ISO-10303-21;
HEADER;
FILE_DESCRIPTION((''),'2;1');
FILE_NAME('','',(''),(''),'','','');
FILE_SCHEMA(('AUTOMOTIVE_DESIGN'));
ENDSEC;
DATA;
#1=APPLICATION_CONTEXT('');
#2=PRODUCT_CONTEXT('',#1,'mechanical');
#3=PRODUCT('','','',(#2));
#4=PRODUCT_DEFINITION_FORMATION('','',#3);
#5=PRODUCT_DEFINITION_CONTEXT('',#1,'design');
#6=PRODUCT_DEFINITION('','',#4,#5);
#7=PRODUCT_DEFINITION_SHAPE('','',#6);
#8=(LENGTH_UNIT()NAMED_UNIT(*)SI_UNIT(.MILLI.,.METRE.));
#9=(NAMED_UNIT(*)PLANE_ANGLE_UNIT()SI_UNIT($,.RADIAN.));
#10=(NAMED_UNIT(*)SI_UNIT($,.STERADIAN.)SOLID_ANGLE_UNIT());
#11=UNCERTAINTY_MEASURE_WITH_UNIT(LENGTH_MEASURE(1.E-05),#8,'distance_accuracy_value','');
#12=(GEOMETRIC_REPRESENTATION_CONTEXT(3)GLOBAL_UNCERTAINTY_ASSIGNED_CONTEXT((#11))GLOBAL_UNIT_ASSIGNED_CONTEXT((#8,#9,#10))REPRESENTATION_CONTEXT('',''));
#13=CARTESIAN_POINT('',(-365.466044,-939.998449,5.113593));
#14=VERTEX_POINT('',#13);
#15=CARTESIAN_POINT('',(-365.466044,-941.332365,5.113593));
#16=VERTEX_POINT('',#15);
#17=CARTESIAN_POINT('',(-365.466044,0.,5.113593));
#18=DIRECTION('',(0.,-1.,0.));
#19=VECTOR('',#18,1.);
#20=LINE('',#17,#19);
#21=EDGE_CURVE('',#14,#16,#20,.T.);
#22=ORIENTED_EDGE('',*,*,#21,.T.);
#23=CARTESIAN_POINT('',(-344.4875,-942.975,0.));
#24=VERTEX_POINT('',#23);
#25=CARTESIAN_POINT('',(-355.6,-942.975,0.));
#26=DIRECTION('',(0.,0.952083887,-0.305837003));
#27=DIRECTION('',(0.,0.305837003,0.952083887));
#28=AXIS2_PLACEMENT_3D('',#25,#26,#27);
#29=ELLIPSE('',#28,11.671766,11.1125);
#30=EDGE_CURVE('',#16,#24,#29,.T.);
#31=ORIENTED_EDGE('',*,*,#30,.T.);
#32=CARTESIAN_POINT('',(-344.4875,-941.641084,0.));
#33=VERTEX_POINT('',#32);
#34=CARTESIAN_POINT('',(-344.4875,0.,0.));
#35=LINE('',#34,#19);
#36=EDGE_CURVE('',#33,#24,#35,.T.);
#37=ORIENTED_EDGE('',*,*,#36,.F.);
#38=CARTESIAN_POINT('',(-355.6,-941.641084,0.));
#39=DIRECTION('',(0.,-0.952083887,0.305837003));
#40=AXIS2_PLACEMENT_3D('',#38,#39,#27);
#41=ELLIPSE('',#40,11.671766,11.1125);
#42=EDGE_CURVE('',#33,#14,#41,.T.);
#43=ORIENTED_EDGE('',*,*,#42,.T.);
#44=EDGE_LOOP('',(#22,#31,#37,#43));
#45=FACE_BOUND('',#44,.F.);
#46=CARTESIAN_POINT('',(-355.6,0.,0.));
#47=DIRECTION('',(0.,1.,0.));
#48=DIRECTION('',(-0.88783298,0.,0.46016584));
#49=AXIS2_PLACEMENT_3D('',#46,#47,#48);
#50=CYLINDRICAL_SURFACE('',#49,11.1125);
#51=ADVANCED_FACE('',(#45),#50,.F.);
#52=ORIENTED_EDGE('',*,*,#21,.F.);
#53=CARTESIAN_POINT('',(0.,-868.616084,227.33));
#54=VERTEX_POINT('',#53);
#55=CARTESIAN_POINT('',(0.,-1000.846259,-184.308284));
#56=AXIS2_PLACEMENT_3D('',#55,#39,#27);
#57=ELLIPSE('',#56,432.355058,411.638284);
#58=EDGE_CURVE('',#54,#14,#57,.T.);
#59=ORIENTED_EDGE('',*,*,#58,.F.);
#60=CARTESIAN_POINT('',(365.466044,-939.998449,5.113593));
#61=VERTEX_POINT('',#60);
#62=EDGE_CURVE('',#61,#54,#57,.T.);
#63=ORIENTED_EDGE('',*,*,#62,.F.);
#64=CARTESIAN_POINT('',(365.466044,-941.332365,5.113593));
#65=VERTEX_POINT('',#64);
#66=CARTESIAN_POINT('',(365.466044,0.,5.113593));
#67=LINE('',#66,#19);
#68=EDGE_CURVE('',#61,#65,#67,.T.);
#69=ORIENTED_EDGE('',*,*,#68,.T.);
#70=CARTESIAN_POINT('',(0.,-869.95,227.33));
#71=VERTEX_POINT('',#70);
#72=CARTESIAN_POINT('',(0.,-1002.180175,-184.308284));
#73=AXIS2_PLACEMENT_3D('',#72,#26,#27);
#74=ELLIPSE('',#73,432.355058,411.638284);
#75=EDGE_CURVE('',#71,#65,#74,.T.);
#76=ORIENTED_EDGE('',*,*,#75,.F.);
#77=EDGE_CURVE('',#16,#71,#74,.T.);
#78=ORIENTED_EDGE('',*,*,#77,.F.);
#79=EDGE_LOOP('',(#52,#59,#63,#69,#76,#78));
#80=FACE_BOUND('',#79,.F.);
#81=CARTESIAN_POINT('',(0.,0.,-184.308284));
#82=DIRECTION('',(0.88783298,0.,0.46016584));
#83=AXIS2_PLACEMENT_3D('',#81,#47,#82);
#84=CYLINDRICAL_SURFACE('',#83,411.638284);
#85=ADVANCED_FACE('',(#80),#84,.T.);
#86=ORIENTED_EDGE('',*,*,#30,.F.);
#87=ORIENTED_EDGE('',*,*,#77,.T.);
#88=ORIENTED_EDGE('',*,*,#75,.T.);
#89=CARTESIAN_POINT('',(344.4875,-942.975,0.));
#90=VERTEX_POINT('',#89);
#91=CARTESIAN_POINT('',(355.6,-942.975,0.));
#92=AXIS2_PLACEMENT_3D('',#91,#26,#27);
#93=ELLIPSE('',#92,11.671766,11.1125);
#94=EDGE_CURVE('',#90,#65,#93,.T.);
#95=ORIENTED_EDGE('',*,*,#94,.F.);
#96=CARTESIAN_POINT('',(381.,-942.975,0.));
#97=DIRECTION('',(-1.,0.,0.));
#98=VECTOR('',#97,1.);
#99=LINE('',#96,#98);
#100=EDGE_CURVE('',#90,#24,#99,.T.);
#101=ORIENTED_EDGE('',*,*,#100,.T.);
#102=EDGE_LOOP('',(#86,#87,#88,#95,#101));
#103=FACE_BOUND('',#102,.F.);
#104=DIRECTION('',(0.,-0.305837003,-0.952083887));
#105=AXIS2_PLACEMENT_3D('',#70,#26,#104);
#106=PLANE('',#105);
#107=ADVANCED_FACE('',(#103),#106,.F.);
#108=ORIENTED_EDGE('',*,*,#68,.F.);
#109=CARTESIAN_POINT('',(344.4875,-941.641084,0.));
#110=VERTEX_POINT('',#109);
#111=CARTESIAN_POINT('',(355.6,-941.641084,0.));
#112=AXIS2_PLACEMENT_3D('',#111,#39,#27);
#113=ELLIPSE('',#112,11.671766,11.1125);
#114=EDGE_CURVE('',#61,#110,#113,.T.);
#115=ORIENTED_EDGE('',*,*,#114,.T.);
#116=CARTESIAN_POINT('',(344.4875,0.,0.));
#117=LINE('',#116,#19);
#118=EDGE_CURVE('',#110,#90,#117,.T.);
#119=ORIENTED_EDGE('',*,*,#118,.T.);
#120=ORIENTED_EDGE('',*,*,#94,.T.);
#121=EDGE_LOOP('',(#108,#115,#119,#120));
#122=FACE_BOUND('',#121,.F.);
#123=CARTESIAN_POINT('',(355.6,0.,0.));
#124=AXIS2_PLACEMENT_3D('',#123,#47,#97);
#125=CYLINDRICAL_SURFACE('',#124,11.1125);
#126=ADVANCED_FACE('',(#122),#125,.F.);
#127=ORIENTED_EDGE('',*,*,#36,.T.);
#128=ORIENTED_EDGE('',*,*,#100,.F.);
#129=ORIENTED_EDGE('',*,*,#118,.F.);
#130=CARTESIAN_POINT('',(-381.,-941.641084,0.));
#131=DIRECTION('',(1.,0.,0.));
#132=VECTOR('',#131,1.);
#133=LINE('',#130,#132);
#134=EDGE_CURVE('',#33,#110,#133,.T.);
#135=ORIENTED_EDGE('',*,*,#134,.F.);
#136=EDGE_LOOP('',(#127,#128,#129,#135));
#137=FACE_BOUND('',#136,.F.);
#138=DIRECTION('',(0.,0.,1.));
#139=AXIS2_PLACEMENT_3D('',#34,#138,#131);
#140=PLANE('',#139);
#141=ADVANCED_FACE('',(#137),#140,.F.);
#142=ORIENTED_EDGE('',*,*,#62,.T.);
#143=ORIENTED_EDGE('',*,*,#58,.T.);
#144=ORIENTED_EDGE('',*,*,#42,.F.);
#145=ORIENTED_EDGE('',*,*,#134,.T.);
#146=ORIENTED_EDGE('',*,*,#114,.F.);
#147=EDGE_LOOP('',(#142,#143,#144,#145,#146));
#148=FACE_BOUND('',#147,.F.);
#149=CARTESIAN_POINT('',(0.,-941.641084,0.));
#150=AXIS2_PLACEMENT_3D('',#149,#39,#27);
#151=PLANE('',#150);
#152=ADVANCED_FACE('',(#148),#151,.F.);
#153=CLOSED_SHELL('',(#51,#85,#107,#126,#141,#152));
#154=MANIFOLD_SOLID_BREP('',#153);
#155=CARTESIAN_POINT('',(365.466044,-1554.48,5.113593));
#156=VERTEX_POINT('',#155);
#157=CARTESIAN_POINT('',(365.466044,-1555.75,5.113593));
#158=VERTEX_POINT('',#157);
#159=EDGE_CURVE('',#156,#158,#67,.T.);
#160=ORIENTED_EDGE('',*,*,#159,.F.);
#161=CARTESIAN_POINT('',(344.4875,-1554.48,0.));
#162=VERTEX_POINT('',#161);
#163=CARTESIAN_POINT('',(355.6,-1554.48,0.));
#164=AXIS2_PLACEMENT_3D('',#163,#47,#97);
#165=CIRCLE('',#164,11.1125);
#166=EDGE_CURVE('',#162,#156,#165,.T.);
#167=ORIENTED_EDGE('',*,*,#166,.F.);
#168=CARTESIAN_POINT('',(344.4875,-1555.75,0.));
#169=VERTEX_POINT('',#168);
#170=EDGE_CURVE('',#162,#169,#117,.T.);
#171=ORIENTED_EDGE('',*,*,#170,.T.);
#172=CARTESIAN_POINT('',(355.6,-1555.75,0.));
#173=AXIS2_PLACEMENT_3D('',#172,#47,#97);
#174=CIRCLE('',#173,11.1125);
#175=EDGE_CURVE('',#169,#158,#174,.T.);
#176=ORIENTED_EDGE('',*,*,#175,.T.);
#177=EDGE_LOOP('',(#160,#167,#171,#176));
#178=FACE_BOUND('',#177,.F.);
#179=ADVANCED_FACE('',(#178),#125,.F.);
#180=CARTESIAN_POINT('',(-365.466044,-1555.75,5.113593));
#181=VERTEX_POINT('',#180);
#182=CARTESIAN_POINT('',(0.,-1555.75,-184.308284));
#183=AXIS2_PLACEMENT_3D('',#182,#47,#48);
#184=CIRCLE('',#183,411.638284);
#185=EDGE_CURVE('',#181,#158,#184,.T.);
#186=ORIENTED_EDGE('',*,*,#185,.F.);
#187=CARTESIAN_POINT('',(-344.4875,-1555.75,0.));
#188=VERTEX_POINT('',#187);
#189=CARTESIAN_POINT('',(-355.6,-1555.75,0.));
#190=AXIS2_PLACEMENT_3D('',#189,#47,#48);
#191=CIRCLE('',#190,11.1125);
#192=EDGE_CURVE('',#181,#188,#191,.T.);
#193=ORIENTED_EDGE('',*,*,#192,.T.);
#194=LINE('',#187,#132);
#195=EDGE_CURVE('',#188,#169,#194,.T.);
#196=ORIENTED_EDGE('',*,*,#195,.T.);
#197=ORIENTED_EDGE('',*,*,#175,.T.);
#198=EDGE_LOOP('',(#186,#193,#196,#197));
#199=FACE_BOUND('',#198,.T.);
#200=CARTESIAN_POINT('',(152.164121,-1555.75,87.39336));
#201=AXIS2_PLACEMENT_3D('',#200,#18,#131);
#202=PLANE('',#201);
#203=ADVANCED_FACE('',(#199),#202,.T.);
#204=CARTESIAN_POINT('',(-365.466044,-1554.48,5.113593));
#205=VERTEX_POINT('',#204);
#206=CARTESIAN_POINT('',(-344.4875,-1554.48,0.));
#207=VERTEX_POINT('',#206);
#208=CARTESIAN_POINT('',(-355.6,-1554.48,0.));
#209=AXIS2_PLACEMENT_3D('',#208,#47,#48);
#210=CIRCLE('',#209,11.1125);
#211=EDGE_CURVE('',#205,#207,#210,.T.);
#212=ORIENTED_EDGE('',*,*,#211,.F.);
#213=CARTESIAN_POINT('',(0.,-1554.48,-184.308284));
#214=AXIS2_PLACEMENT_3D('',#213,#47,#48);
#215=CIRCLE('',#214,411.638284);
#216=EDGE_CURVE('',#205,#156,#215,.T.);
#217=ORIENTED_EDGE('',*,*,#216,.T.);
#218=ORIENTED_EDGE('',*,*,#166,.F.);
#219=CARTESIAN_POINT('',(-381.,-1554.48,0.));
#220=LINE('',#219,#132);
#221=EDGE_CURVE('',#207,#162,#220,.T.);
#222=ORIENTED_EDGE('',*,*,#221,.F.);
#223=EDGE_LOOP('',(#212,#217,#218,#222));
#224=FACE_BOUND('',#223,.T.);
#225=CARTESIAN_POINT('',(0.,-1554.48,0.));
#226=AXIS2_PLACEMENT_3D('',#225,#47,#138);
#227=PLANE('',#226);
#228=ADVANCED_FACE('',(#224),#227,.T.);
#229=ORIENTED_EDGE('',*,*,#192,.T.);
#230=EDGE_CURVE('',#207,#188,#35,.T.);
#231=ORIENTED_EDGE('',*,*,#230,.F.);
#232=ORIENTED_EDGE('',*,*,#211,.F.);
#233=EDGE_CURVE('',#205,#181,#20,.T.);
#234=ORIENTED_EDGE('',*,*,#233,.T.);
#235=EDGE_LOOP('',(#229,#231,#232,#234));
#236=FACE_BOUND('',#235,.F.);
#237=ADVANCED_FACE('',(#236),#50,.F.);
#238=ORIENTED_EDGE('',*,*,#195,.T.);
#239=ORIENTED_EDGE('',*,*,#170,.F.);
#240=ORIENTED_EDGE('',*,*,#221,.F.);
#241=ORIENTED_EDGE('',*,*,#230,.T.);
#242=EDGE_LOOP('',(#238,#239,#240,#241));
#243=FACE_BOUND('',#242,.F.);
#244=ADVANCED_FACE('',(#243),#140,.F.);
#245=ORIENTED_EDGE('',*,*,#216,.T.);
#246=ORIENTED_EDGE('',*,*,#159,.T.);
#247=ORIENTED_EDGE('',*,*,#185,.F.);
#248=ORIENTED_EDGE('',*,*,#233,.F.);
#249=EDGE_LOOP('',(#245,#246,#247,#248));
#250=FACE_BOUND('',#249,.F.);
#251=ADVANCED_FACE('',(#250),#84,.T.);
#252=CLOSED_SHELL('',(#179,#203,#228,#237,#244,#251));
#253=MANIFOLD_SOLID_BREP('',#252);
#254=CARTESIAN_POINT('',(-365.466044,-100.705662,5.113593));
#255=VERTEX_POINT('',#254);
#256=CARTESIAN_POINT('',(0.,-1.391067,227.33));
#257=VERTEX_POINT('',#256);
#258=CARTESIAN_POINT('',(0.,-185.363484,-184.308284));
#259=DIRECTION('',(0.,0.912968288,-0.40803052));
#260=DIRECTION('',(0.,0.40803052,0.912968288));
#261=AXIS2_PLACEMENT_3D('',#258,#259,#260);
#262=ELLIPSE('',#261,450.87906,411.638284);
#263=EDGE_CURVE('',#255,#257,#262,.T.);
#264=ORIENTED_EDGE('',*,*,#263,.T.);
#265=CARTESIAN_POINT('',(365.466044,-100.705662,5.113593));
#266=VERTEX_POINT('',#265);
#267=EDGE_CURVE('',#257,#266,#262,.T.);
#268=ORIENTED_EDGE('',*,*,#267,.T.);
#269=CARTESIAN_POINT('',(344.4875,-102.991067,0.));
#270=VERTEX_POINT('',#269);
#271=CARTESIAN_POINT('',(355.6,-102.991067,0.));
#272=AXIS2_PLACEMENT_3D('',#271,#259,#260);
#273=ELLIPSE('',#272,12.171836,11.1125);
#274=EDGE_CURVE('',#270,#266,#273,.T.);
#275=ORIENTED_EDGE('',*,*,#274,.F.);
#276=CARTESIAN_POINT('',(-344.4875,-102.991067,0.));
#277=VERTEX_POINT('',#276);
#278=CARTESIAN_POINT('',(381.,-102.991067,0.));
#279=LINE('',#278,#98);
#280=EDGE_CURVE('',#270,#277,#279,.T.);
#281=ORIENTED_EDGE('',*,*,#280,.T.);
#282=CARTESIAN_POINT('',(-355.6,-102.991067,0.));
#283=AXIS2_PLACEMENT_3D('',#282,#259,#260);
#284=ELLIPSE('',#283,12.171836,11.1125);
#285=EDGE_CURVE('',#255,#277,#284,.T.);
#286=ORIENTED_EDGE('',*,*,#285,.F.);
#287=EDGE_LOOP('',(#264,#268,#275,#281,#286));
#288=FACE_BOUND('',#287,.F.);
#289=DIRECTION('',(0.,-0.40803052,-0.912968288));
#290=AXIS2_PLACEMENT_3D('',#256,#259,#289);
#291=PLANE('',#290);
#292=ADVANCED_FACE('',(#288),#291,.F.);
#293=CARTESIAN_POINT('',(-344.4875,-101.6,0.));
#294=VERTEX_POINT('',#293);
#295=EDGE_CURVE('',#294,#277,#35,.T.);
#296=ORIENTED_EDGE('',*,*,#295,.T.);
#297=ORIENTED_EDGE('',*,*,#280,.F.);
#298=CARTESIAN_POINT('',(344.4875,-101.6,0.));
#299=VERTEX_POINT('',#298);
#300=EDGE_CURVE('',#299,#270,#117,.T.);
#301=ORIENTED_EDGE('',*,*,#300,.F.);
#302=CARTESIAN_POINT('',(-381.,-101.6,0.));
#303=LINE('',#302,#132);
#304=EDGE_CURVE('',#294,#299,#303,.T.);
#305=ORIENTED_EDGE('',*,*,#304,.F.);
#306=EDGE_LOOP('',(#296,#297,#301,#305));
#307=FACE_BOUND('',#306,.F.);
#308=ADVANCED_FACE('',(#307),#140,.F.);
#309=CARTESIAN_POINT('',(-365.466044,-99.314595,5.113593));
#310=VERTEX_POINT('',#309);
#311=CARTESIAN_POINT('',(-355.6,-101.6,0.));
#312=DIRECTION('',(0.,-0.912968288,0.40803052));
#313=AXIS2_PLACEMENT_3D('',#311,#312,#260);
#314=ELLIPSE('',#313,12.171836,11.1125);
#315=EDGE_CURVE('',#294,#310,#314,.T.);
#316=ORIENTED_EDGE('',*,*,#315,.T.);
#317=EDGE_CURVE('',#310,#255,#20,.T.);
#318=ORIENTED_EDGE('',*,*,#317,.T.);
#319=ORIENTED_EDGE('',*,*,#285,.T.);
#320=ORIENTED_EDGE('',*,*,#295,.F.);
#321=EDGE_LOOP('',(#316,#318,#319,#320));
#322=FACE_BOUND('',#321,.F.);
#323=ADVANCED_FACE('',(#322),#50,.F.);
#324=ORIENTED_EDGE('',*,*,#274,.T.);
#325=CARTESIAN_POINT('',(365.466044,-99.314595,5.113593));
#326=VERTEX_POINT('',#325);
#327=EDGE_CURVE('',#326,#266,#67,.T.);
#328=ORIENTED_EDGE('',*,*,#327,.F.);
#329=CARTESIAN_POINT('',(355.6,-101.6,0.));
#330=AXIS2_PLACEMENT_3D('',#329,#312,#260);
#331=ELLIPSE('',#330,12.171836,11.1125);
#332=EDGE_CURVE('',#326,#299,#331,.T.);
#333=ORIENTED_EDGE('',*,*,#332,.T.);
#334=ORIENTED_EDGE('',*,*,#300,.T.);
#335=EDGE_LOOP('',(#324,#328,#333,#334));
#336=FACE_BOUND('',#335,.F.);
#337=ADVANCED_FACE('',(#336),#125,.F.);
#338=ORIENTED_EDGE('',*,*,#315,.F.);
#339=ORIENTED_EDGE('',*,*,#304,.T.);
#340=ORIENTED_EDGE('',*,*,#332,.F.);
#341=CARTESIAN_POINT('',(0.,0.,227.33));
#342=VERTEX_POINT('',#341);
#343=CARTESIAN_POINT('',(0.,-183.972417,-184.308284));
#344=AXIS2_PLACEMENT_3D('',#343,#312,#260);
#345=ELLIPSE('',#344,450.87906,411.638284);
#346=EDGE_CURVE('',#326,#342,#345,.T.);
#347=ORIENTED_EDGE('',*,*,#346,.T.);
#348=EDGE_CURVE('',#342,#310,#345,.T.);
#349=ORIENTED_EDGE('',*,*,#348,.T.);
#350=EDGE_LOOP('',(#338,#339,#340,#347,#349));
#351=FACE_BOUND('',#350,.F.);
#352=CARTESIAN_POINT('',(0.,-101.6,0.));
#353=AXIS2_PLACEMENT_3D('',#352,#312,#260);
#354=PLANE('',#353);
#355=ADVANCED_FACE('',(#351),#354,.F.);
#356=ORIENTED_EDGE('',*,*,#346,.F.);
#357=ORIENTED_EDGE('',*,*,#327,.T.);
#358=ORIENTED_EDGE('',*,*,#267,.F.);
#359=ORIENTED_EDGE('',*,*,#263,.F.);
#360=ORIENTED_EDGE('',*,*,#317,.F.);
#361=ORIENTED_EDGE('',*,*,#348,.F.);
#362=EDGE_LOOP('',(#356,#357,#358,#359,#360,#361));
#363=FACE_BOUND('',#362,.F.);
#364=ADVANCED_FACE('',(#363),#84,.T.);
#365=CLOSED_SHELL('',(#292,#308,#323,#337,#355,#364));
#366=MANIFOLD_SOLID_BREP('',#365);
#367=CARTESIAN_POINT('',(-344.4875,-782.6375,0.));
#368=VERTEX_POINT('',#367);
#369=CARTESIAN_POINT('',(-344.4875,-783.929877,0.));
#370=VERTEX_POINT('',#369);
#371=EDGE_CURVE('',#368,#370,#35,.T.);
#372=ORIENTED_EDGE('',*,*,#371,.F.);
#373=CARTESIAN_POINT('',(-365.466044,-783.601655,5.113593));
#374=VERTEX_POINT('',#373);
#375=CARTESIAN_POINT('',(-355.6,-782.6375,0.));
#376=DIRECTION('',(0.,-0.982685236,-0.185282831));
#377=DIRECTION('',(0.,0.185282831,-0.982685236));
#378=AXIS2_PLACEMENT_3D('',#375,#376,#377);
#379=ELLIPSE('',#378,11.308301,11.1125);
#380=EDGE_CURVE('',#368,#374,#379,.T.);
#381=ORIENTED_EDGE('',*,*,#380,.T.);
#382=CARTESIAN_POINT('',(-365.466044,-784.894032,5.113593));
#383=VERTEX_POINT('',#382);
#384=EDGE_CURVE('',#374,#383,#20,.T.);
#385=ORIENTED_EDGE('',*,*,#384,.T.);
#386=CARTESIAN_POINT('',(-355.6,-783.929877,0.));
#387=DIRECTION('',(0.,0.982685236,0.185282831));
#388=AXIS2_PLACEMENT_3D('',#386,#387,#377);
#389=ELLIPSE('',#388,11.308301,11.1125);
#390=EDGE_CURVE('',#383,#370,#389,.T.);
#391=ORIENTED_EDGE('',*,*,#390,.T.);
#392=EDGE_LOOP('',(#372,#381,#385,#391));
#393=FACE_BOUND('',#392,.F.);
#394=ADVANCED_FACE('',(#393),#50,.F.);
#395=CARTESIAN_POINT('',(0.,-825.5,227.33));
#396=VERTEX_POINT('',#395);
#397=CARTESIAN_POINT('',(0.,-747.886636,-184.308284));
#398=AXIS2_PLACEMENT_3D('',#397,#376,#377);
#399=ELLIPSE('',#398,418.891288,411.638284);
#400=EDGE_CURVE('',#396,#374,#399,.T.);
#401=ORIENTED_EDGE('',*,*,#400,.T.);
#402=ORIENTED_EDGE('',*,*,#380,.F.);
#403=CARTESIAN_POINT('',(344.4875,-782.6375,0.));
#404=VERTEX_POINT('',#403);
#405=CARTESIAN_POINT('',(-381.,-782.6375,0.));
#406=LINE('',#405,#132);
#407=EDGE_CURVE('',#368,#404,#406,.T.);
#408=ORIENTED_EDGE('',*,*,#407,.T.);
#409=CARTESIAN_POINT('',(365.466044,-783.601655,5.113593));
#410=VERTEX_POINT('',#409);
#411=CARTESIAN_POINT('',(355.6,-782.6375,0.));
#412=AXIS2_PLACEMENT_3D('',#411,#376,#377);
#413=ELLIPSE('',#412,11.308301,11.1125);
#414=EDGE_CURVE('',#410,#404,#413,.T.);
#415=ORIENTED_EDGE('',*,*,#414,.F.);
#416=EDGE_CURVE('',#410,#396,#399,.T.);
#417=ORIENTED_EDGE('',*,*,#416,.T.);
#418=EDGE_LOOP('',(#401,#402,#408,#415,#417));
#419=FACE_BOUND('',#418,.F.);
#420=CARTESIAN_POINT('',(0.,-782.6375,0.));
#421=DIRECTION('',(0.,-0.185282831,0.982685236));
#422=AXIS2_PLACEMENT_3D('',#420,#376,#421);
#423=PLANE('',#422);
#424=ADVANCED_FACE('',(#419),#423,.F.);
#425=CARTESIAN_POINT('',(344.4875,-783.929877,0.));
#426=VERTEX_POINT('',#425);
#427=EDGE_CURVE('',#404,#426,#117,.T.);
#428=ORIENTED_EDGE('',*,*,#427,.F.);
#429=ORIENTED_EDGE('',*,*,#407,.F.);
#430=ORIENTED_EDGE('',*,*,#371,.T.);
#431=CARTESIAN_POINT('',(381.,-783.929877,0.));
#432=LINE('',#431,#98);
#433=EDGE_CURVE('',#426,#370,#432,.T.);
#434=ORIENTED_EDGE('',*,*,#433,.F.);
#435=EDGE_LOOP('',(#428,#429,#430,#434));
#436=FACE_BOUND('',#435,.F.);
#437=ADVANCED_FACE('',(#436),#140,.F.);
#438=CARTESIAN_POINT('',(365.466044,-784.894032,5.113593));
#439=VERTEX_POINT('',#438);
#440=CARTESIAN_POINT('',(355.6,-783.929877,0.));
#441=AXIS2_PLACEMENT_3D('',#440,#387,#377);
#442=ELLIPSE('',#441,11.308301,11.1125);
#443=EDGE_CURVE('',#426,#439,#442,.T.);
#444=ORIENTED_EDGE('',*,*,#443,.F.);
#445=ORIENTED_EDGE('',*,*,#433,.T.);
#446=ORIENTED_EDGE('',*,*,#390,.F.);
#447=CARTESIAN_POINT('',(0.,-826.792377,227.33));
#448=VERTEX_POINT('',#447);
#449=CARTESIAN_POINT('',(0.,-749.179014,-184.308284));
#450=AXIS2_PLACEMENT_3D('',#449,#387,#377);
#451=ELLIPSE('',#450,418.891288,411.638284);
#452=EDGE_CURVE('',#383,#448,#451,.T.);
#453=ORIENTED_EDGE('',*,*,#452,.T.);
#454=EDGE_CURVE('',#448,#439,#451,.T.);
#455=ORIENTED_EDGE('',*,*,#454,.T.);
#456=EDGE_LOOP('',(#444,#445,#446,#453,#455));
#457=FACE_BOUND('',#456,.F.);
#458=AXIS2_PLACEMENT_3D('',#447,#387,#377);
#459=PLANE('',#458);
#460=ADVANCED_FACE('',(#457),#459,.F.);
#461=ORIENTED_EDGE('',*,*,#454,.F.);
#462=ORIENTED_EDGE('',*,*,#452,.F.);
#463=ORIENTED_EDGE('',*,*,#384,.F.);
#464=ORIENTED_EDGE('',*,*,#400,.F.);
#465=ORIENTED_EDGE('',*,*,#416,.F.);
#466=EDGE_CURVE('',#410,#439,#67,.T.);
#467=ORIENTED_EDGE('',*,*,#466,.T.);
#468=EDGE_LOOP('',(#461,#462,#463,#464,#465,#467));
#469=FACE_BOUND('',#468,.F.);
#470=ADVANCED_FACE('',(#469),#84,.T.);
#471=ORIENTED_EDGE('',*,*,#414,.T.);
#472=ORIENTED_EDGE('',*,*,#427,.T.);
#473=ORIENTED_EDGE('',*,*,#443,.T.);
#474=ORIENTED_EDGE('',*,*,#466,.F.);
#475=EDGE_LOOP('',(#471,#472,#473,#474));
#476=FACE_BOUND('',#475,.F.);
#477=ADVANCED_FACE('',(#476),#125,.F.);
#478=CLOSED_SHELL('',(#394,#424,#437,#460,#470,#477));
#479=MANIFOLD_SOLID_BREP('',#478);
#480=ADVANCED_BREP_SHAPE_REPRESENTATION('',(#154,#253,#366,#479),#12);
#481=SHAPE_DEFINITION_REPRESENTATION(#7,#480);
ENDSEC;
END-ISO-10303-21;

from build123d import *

# Parameters (mm, degrees)
F1_DEPTH = 1555.75
F2_W     = 1.27
F2_H     = 227.33
F3_DEPTH = 381


with BuildPart() as f1:
    # F0 (on Front) → F1 (new body)
    with BuildSketch(Plane.XZ):
        with BuildLine():
            Line((0, 227.33), (0, 0))
            Line((0, 0), (344.4875, 0))
            ThreePointArc((344.4875, 0), (352.9683424936, 10.7963899068), (365.4660439854, 5.1135928982))
            ThreePointArc((365.4660439854, 5.1135928982), (213.8606794689, 167.4155943541), (0, 227.33))
        make_face()
        with BuildLine():
            ThreePointArc((-365.4660439854, 5.1135928982), (-352.9683424936, 10.7963899068), (-344.4875, 0))
            Line((-344.4875, 0), (0, 0))
            Line((0, 0), (0, 227.33))
            ThreePointArc((0, 227.33), (-213.8606794689, 167.4155943541), (-365.4660439854, 5.1135928982))
        make_face()
    extrude(amount=F1_DEPTH)

    # F2 (on Right) → F3 (intersect, symmetric)
    with BuildSketch(Plane.YZ):
        Polygon((-102.991066937, 0), (-101.6, 0), (0, 227.33), (-1.391066937, 227.33), align=None)
        Polygon((-942.975, 0), (-941.6410839266, 0), (-868.6160839266, 227.33), (-869.95, 227.33), align=None)
        Polygon((-783.9298772066, 0), (-782.6375, 0), (-825.5, 227.33), (-826.7923772066, 227.33), align=None)
        with Locations((-1555.115, 113.665)):
            Rectangle(F2_W, F2_H)
    extrude(amount=F3_DEPTH, both=True, mode=Mode.INTERSECT)


solid = f1.part
